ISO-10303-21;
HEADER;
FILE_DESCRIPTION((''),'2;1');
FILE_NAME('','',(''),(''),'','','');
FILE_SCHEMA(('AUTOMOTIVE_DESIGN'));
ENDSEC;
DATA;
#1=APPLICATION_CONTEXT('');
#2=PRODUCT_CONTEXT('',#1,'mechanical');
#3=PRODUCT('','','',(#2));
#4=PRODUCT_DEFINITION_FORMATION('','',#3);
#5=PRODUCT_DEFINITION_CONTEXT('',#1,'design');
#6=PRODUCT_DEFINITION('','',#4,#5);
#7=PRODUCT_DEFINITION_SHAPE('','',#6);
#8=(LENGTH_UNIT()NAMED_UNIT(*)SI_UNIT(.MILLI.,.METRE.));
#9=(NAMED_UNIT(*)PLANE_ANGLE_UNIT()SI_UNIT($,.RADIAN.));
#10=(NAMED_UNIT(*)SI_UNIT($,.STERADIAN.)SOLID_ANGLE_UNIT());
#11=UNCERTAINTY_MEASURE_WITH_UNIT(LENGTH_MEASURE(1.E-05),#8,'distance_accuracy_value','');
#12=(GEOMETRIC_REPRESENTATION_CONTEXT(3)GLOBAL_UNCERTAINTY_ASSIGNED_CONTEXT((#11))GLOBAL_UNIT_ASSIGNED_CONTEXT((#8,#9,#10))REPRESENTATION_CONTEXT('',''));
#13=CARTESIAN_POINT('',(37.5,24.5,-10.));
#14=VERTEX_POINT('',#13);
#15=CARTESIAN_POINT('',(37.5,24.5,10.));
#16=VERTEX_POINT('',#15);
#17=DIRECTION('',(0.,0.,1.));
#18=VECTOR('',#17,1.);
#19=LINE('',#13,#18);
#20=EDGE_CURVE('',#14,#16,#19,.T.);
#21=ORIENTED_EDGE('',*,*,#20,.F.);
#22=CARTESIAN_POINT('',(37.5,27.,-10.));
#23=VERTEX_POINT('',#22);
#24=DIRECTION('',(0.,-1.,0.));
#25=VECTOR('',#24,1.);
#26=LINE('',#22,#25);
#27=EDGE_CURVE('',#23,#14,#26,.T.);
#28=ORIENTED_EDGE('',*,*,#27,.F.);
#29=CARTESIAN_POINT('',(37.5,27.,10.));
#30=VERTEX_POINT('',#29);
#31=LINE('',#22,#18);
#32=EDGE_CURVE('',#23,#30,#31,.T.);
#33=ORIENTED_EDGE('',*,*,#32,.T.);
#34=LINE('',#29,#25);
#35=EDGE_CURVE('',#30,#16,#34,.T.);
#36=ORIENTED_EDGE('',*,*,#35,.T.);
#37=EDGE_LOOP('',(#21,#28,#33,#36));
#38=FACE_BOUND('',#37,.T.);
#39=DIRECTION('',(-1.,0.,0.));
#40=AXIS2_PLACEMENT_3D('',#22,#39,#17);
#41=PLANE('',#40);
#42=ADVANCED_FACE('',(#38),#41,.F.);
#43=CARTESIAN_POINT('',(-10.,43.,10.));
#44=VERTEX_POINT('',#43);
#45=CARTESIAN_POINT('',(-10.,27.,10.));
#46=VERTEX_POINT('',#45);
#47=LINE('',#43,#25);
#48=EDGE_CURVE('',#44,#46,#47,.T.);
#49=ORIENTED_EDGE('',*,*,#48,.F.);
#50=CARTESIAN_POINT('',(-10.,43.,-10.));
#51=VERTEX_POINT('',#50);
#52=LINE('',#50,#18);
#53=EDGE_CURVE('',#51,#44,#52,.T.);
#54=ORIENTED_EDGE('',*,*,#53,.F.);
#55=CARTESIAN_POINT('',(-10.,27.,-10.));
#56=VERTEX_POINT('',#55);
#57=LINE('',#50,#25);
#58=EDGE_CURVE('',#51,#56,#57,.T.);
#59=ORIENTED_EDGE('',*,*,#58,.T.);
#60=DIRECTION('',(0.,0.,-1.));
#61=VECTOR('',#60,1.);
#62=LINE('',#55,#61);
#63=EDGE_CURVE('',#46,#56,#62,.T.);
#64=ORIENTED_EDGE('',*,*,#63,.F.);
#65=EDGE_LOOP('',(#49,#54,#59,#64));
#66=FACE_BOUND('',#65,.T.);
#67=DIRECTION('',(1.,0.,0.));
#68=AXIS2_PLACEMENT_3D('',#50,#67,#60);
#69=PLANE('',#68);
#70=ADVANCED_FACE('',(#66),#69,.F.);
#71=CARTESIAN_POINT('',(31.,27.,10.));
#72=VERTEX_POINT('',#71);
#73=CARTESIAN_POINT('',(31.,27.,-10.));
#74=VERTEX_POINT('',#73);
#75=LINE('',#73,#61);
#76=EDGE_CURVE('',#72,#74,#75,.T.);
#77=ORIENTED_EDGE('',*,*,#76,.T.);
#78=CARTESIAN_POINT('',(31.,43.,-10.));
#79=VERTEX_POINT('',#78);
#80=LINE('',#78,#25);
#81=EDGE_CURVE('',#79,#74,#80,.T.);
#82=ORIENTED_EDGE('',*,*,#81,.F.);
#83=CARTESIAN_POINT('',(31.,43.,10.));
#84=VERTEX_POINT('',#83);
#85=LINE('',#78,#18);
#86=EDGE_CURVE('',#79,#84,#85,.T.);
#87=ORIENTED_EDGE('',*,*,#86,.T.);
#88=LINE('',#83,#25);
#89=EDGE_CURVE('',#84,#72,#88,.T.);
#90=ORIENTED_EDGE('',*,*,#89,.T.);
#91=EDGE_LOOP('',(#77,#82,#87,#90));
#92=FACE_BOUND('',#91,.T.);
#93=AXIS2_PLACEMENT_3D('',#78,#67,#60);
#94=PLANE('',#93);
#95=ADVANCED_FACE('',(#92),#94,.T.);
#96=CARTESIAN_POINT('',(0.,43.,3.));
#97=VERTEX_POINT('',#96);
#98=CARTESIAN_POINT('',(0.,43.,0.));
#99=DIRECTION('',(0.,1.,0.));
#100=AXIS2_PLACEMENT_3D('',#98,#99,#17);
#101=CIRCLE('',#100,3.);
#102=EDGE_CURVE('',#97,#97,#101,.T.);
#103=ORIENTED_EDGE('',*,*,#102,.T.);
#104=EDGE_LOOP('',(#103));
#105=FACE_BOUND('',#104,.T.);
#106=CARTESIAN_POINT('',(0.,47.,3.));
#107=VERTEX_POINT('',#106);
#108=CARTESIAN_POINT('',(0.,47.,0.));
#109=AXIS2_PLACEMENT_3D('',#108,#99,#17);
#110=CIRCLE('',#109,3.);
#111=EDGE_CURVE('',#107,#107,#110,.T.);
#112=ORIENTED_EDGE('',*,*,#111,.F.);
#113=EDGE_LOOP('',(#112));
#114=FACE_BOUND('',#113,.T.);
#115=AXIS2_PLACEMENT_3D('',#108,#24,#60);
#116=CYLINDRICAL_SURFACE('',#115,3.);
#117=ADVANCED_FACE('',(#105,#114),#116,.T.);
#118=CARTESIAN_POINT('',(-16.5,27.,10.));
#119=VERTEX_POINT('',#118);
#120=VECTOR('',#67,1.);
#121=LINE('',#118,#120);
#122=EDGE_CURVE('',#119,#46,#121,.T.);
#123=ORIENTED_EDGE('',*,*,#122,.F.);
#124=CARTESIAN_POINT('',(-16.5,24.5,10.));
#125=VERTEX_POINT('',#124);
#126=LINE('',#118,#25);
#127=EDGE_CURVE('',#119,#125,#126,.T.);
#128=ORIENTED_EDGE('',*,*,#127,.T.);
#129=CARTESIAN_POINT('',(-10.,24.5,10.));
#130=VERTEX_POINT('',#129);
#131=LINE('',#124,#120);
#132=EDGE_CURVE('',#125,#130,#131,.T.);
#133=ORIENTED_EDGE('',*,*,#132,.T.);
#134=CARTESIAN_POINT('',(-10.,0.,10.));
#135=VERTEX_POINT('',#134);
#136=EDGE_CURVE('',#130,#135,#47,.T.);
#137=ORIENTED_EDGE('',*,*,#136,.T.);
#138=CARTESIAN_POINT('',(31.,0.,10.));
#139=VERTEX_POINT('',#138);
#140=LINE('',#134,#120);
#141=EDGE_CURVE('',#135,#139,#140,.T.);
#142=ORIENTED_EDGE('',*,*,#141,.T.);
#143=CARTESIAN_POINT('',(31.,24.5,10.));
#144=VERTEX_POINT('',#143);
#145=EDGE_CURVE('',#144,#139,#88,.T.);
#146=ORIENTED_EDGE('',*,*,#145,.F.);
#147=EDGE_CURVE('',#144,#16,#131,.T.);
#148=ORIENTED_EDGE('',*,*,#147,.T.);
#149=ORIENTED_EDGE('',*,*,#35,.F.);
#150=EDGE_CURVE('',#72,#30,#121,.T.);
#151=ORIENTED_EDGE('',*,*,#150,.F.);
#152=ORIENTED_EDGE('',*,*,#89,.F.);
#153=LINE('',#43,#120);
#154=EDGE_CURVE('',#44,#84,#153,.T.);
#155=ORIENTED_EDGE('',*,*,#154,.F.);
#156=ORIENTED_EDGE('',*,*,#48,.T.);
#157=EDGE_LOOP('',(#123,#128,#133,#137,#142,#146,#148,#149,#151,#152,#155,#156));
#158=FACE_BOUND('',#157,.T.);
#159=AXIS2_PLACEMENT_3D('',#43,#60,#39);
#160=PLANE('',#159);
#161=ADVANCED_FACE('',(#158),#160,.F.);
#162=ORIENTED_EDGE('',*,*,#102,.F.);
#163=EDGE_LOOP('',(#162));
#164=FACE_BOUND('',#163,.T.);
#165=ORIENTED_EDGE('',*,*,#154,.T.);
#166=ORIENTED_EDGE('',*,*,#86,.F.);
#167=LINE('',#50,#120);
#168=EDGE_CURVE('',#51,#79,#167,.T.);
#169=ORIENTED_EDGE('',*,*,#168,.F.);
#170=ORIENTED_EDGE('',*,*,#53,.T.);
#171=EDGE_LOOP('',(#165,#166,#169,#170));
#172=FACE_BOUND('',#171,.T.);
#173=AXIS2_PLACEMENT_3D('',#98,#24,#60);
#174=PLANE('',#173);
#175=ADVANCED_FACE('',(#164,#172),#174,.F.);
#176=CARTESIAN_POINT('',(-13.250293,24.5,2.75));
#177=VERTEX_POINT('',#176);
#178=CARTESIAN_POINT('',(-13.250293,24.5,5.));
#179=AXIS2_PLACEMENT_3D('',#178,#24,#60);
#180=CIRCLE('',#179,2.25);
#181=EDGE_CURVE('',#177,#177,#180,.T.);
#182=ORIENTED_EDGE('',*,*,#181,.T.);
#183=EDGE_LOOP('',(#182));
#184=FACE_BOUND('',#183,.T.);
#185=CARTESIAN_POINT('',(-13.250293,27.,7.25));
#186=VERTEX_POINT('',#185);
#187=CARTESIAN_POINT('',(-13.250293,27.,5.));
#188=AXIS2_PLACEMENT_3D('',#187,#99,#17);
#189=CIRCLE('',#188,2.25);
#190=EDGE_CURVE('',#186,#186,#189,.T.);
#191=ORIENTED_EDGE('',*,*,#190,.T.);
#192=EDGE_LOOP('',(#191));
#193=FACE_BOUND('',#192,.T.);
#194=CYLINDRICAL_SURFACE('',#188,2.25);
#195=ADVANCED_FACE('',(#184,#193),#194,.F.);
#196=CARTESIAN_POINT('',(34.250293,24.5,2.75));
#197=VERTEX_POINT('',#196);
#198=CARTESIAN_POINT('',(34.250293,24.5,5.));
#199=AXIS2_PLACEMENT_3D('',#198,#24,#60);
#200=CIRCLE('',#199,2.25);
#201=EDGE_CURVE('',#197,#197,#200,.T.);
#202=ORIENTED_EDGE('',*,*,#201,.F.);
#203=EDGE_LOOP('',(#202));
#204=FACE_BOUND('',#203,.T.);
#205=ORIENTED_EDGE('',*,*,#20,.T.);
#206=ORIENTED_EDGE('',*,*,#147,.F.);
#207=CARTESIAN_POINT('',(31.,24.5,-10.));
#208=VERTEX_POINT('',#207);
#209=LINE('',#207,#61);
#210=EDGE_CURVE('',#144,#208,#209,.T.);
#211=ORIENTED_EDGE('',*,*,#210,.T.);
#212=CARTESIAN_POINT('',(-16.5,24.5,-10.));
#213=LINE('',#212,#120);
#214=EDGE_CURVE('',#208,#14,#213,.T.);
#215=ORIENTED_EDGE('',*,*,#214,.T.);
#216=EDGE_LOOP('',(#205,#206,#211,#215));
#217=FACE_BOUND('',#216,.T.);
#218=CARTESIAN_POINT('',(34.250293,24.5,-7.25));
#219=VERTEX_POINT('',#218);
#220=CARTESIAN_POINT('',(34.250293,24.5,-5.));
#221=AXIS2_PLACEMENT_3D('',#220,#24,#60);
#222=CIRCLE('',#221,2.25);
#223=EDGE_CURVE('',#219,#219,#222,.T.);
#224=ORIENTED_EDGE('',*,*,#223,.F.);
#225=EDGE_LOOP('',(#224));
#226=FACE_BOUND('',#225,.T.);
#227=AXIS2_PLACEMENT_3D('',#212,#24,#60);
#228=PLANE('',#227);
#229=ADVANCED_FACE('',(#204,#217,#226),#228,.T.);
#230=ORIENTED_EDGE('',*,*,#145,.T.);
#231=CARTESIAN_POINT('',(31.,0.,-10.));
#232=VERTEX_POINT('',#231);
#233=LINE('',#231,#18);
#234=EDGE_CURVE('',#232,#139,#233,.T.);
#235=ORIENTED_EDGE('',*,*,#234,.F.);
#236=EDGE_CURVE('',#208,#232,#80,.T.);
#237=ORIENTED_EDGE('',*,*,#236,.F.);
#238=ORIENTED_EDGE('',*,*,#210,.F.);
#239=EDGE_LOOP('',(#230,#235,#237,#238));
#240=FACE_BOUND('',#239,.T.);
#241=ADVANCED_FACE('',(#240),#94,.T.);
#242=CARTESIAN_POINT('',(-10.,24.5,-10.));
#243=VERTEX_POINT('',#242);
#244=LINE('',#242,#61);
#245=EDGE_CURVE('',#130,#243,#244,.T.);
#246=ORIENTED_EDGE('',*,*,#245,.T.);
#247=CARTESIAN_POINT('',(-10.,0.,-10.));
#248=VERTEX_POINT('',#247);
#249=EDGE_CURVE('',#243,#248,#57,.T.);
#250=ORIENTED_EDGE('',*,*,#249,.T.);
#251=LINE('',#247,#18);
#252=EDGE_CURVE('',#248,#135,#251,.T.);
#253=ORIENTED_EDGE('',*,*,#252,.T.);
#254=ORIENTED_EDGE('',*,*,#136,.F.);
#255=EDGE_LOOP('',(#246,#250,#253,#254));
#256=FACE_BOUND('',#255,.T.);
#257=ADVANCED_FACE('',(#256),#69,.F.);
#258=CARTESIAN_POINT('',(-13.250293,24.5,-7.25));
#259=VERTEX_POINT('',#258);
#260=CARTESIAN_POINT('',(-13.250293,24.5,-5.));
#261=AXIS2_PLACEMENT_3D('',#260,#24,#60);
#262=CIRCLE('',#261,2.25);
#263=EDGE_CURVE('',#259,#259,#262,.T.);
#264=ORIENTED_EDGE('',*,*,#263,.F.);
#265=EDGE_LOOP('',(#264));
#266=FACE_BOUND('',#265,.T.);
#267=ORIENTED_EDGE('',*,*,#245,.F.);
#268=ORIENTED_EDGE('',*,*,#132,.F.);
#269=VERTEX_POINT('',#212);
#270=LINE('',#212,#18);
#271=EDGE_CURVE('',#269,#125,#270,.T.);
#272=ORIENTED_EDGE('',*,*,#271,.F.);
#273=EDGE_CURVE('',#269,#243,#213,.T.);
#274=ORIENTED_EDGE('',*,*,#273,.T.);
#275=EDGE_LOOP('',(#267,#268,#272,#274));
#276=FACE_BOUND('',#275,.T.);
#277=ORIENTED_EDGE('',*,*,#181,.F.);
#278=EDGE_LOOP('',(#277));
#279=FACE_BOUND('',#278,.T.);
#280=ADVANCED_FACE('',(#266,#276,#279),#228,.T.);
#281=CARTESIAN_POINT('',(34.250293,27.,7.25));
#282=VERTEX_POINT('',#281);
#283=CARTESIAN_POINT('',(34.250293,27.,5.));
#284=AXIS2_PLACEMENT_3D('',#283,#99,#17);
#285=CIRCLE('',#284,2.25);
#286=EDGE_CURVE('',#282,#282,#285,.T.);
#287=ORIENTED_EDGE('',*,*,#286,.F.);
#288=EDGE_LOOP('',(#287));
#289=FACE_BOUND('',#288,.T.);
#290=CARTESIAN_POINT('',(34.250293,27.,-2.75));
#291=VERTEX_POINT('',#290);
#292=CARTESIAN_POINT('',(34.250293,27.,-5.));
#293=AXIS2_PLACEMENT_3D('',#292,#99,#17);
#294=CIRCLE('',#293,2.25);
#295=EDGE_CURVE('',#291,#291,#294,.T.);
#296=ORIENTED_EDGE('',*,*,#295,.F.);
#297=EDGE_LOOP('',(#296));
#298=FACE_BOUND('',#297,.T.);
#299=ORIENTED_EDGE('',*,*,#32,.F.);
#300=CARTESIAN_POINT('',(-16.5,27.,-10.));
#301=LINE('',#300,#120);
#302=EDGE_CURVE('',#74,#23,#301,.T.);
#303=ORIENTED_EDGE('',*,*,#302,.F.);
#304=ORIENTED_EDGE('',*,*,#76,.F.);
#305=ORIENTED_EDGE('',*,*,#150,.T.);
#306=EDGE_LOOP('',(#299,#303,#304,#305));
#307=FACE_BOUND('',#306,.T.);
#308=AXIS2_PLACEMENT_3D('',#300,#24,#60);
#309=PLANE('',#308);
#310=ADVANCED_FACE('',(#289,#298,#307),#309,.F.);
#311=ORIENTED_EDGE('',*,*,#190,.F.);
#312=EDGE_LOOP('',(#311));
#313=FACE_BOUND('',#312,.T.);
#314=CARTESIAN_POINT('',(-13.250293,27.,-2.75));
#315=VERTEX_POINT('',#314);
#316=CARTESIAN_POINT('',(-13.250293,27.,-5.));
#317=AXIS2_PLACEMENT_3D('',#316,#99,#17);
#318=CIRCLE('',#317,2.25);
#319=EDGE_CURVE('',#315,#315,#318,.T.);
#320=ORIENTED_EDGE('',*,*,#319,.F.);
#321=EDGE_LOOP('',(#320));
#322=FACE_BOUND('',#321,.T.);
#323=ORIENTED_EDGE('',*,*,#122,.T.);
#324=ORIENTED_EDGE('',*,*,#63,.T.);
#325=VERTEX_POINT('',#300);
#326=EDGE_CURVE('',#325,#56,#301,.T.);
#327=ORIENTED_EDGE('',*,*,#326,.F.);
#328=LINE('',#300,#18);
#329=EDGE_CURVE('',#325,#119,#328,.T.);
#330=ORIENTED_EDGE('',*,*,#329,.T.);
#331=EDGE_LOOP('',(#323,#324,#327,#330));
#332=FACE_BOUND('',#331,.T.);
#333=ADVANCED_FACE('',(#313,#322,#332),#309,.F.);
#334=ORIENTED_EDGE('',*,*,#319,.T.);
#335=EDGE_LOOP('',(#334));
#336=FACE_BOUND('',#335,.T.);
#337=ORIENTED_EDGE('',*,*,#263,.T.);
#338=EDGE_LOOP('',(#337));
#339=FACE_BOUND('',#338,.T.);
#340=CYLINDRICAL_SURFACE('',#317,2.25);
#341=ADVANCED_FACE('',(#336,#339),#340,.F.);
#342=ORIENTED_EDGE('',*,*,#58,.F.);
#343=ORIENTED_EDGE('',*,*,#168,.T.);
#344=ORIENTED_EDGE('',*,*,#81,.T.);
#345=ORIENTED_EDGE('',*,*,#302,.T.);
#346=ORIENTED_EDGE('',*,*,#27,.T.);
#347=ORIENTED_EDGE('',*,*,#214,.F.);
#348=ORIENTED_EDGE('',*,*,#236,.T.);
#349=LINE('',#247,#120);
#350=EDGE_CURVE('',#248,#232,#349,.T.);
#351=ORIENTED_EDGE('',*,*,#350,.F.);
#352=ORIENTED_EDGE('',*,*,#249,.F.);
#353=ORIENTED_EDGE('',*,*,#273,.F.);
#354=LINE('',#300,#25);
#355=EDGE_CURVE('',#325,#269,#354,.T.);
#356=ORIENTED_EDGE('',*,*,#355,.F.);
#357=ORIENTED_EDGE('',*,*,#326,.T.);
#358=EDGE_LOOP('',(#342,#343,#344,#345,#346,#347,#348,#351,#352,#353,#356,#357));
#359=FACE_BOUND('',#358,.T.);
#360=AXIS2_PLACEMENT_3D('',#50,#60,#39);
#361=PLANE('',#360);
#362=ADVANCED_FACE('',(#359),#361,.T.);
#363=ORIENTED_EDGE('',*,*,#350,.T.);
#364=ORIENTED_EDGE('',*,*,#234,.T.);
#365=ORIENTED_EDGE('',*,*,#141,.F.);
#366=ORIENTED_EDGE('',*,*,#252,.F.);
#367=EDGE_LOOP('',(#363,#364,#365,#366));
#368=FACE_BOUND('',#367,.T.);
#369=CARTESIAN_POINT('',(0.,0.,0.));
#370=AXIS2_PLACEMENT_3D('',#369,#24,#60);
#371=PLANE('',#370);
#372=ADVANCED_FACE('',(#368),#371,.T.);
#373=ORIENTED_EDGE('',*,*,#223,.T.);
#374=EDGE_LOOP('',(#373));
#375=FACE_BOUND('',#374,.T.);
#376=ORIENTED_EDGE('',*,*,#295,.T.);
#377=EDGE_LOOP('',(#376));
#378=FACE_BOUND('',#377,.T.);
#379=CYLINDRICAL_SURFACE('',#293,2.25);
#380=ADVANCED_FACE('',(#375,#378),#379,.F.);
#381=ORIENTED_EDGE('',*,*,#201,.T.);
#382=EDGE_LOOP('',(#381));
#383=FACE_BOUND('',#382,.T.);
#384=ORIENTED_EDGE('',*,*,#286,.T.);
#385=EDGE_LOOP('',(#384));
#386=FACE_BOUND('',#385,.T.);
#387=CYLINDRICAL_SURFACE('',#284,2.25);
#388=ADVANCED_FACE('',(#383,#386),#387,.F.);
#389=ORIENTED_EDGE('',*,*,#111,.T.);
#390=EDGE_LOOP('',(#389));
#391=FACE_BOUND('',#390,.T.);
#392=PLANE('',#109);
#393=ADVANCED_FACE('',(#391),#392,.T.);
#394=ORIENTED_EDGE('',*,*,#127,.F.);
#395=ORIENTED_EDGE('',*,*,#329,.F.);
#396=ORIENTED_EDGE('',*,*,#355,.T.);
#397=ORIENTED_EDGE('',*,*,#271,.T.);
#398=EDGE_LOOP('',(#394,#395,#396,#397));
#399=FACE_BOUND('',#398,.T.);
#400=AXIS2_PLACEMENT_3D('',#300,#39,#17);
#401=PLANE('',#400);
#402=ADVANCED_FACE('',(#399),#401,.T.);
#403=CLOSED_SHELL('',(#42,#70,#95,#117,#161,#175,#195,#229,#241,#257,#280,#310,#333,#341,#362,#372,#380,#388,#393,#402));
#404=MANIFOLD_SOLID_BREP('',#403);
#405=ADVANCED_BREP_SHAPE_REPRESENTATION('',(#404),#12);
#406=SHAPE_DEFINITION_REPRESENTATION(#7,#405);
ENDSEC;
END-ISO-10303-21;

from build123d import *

# Parameters (mm, degrees)
SCHIZZO1_W                        = 41
SCHIZZO1_H                        = 20
ESTRUSIONE_ESTRUSIONE1_DEPTH      = 43
SCHIZZO2_R                        = 3
ESTRUSIONE_ESTRUSIONE4_DEPTH      = 4
ESTRUSIONE_ESTRUSIONE5_DEPTH      = 10
ESTRUSIONE_ESTRUSIONE5_DEPTH_BACK = 10
SCHIZZO4_W                        = 54
SCHIZZO4_H                        = 2.5
FORO_PER_VITE_M1_6_1_D            = 4.5


with BuildPart() as part:
    # Schizzo1 → Estrusione-Estrusione1 (new body)
    with BuildSketch(Plane(origin=(0, 0, 0), x_dir=(1, 0, 0), z_dir=(0, 1, 0))):
        with Locations((10.5, 0)):
            Rectangle(SCHIZZO1_W, SCHIZZO1_H)
    extrude(amount=ESTRUSIONE_ESTRUSIONE1_DEPTH)

    # Schizzo2 → Estrusione-Estrusione4 (add)
    with BuildSketch(Plane(origin=(0, 43, 0), x_dir=(1, 0, 0), z_dir=(0, 1, 0))):
        Circle(SCHIZZO2_R)
    extrude(amount=ESTRUSIONE_ESTRUSIONE4_DEPTH)

    # Schizzo4 → Estrusione-Estrusione5 (add, two sides: drawn at the far end of the back side and taken through both)
    with BuildSketch(Plane.XY.offset(-ESTRUSIONE_ESTRUSIONE5_DEPTH_BACK)):
        with Locations((10.5, 25.75)):
            Rectangle(SCHIZZO4_W, SCHIZZO4_H)
    extrude(amount=ESTRUSIONE_ESTRUSIONE5_DEPTH + ESTRUSIONE_ESTRUSIONE5_DEPTH_BACK)

    # Foro per Vite M1.6-1 (through all)
    with Locations(Plane(origin=(0, 27, 0), x_dir=(1, 0, 0), z_dir=(0, 1, 0))):
        with Locations((-13.250292536, 5), (-13.250292536, -5), (34.250292536, 5), (34.250292536, -5)):
            Hole(FORO_PER_VITE_M1_6_1_D / 2)


solid = part.part
